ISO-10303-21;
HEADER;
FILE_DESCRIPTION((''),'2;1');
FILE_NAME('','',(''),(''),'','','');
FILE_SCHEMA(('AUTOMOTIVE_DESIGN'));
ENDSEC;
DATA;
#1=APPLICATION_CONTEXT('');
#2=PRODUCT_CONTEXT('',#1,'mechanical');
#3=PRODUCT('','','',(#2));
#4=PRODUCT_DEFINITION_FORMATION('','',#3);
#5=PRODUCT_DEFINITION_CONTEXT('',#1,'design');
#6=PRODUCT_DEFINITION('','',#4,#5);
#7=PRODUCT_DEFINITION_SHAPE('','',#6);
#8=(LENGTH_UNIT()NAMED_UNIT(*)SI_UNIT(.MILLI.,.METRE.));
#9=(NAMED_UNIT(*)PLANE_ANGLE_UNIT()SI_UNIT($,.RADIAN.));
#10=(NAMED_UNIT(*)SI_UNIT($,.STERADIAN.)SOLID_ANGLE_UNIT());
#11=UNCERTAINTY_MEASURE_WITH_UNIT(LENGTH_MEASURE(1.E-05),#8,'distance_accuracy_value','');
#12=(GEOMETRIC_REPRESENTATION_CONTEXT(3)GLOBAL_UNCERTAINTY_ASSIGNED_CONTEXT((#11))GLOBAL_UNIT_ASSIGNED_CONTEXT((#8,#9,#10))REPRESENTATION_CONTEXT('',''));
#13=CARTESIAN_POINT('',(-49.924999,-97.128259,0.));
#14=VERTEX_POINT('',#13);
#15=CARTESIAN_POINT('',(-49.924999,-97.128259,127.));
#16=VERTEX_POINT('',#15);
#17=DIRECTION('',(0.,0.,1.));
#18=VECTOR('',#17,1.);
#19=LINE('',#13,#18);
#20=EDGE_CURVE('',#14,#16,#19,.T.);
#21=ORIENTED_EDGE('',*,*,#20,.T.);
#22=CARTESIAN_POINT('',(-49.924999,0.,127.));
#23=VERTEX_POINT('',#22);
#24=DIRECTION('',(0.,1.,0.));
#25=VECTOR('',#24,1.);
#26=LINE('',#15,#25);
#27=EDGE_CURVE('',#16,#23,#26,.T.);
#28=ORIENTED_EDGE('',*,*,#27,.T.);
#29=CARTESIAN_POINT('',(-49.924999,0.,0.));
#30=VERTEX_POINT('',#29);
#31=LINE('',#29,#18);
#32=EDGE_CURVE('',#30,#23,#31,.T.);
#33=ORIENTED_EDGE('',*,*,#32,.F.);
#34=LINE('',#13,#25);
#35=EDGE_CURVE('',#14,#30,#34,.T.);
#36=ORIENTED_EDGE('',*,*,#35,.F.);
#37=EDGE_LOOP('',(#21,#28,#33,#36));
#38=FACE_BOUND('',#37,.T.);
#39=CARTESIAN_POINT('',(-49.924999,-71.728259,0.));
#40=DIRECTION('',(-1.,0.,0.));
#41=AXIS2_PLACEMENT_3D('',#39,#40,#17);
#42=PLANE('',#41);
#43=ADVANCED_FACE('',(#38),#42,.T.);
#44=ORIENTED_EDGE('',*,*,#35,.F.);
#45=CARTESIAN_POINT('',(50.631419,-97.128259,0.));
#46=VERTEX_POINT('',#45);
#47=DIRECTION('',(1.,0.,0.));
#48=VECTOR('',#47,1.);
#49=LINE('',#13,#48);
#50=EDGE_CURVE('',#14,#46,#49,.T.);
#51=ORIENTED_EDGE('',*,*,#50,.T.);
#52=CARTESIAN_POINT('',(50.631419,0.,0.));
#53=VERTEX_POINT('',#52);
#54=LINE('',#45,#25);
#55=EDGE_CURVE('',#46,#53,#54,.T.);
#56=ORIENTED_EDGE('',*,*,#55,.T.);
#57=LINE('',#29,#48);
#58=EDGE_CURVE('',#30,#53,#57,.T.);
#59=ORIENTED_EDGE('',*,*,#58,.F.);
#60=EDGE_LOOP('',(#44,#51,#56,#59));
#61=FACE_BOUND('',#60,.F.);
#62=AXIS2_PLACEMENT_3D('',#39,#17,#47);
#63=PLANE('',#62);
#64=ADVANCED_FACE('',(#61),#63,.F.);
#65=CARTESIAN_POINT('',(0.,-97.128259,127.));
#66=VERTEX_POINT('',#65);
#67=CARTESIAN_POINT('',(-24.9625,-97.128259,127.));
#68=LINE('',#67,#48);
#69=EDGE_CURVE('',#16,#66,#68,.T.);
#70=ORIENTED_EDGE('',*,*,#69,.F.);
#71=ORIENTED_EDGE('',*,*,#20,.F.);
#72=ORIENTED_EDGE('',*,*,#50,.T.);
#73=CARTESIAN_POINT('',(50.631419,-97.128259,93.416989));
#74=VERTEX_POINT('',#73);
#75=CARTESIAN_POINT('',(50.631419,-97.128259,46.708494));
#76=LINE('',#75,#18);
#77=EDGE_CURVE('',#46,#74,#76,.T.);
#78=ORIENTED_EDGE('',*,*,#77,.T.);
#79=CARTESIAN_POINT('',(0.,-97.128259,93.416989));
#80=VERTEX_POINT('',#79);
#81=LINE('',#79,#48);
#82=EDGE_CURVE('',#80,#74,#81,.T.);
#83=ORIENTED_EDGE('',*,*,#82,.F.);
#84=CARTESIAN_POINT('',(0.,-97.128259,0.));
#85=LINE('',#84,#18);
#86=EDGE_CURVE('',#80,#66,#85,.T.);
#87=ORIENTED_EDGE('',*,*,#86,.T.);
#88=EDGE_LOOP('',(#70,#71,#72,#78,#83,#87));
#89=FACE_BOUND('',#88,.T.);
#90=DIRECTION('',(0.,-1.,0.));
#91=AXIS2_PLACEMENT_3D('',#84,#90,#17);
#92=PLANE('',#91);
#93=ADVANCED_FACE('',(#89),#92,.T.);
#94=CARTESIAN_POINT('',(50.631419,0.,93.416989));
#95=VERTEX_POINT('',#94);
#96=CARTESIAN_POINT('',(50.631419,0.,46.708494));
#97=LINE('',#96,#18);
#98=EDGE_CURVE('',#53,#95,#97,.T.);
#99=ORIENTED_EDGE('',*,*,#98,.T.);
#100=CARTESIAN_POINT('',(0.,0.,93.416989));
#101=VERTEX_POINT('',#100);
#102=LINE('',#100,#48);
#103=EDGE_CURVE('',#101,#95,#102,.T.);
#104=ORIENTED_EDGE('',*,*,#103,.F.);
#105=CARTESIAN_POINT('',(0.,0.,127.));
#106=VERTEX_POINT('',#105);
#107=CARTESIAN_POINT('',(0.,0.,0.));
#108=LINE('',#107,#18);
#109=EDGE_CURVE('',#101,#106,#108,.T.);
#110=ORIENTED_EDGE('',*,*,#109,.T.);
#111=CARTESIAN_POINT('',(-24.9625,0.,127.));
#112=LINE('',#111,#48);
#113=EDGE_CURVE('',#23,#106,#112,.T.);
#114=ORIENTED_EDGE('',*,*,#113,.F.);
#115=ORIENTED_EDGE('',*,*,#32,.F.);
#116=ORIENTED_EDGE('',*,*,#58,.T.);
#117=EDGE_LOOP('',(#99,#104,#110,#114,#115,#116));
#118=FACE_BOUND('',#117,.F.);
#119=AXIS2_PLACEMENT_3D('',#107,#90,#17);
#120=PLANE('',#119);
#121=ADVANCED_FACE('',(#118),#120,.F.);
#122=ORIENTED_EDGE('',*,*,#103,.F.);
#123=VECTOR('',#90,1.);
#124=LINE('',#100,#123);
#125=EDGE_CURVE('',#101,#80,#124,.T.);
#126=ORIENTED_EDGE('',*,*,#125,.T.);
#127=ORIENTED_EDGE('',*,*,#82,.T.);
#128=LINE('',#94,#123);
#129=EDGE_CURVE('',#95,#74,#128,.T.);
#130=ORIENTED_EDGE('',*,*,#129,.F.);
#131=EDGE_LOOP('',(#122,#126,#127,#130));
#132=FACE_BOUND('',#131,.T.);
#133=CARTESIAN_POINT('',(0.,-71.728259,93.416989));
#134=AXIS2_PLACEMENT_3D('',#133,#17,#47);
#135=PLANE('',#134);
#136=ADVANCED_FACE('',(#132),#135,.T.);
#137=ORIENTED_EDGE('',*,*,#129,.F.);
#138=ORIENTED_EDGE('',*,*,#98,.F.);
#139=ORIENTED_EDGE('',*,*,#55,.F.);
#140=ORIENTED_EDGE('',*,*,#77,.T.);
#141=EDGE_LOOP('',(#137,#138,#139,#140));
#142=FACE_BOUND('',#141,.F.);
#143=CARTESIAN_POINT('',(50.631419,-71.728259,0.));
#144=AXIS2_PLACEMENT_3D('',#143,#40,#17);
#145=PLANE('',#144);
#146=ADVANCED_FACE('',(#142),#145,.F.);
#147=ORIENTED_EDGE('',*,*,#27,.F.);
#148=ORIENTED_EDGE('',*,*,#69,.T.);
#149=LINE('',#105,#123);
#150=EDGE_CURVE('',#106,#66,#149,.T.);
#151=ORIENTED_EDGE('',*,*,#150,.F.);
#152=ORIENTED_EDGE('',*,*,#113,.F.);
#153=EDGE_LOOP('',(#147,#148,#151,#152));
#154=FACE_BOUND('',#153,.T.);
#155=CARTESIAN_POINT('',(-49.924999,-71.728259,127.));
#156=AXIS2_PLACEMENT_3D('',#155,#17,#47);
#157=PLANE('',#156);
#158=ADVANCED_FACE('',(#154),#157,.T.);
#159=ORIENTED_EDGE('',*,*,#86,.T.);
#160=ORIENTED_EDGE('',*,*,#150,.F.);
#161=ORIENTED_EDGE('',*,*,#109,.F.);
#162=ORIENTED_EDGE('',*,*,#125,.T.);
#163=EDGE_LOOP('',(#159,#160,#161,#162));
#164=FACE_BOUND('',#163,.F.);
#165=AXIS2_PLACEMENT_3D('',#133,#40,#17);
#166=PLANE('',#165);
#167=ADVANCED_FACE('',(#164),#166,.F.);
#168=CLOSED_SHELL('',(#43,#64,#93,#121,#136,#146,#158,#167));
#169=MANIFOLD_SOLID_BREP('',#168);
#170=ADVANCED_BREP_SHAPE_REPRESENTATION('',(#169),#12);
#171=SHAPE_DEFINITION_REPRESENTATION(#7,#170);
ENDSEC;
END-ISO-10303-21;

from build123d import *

# Parameters (mm, degrees)
F0_W     = 49.9249994755
F0_H     = 71.728259325
F1_DEPTH = 127
F2_W     = 71.728259325
F2_H     = 93.4169888496
F3_DEPTH = 50.6314188242
F4_DEPTH = 25.4


with BuildPart() as f1:
    # F0 (on Top) → F1 (new body)
    with BuildSketch(Plane.XY):
        with Locations((-24.9624997377, -35.8641296625)):
            Rectangle(F0_W, F0_H)
    extrude(amount=F1_DEPTH)

    # F2 (on face) → F3 (join)
    with BuildSketch(Plane.YZ):
        with Locations((-35.8641296625, 46.7084944248)):
            Rectangle(F2_W, F2_H)
    extrude(amount=F3_DEPTH)

    # F4 (add): a face of the model
    f4_faces = [f1.faces().sort_by_distance(p)[0] for p in [
        (-3.4809309458, -71.728259325, 56.3257611352),
    ]]
    extrude(f4_faces, amount=F4_DEPTH)


solid = f1.part
